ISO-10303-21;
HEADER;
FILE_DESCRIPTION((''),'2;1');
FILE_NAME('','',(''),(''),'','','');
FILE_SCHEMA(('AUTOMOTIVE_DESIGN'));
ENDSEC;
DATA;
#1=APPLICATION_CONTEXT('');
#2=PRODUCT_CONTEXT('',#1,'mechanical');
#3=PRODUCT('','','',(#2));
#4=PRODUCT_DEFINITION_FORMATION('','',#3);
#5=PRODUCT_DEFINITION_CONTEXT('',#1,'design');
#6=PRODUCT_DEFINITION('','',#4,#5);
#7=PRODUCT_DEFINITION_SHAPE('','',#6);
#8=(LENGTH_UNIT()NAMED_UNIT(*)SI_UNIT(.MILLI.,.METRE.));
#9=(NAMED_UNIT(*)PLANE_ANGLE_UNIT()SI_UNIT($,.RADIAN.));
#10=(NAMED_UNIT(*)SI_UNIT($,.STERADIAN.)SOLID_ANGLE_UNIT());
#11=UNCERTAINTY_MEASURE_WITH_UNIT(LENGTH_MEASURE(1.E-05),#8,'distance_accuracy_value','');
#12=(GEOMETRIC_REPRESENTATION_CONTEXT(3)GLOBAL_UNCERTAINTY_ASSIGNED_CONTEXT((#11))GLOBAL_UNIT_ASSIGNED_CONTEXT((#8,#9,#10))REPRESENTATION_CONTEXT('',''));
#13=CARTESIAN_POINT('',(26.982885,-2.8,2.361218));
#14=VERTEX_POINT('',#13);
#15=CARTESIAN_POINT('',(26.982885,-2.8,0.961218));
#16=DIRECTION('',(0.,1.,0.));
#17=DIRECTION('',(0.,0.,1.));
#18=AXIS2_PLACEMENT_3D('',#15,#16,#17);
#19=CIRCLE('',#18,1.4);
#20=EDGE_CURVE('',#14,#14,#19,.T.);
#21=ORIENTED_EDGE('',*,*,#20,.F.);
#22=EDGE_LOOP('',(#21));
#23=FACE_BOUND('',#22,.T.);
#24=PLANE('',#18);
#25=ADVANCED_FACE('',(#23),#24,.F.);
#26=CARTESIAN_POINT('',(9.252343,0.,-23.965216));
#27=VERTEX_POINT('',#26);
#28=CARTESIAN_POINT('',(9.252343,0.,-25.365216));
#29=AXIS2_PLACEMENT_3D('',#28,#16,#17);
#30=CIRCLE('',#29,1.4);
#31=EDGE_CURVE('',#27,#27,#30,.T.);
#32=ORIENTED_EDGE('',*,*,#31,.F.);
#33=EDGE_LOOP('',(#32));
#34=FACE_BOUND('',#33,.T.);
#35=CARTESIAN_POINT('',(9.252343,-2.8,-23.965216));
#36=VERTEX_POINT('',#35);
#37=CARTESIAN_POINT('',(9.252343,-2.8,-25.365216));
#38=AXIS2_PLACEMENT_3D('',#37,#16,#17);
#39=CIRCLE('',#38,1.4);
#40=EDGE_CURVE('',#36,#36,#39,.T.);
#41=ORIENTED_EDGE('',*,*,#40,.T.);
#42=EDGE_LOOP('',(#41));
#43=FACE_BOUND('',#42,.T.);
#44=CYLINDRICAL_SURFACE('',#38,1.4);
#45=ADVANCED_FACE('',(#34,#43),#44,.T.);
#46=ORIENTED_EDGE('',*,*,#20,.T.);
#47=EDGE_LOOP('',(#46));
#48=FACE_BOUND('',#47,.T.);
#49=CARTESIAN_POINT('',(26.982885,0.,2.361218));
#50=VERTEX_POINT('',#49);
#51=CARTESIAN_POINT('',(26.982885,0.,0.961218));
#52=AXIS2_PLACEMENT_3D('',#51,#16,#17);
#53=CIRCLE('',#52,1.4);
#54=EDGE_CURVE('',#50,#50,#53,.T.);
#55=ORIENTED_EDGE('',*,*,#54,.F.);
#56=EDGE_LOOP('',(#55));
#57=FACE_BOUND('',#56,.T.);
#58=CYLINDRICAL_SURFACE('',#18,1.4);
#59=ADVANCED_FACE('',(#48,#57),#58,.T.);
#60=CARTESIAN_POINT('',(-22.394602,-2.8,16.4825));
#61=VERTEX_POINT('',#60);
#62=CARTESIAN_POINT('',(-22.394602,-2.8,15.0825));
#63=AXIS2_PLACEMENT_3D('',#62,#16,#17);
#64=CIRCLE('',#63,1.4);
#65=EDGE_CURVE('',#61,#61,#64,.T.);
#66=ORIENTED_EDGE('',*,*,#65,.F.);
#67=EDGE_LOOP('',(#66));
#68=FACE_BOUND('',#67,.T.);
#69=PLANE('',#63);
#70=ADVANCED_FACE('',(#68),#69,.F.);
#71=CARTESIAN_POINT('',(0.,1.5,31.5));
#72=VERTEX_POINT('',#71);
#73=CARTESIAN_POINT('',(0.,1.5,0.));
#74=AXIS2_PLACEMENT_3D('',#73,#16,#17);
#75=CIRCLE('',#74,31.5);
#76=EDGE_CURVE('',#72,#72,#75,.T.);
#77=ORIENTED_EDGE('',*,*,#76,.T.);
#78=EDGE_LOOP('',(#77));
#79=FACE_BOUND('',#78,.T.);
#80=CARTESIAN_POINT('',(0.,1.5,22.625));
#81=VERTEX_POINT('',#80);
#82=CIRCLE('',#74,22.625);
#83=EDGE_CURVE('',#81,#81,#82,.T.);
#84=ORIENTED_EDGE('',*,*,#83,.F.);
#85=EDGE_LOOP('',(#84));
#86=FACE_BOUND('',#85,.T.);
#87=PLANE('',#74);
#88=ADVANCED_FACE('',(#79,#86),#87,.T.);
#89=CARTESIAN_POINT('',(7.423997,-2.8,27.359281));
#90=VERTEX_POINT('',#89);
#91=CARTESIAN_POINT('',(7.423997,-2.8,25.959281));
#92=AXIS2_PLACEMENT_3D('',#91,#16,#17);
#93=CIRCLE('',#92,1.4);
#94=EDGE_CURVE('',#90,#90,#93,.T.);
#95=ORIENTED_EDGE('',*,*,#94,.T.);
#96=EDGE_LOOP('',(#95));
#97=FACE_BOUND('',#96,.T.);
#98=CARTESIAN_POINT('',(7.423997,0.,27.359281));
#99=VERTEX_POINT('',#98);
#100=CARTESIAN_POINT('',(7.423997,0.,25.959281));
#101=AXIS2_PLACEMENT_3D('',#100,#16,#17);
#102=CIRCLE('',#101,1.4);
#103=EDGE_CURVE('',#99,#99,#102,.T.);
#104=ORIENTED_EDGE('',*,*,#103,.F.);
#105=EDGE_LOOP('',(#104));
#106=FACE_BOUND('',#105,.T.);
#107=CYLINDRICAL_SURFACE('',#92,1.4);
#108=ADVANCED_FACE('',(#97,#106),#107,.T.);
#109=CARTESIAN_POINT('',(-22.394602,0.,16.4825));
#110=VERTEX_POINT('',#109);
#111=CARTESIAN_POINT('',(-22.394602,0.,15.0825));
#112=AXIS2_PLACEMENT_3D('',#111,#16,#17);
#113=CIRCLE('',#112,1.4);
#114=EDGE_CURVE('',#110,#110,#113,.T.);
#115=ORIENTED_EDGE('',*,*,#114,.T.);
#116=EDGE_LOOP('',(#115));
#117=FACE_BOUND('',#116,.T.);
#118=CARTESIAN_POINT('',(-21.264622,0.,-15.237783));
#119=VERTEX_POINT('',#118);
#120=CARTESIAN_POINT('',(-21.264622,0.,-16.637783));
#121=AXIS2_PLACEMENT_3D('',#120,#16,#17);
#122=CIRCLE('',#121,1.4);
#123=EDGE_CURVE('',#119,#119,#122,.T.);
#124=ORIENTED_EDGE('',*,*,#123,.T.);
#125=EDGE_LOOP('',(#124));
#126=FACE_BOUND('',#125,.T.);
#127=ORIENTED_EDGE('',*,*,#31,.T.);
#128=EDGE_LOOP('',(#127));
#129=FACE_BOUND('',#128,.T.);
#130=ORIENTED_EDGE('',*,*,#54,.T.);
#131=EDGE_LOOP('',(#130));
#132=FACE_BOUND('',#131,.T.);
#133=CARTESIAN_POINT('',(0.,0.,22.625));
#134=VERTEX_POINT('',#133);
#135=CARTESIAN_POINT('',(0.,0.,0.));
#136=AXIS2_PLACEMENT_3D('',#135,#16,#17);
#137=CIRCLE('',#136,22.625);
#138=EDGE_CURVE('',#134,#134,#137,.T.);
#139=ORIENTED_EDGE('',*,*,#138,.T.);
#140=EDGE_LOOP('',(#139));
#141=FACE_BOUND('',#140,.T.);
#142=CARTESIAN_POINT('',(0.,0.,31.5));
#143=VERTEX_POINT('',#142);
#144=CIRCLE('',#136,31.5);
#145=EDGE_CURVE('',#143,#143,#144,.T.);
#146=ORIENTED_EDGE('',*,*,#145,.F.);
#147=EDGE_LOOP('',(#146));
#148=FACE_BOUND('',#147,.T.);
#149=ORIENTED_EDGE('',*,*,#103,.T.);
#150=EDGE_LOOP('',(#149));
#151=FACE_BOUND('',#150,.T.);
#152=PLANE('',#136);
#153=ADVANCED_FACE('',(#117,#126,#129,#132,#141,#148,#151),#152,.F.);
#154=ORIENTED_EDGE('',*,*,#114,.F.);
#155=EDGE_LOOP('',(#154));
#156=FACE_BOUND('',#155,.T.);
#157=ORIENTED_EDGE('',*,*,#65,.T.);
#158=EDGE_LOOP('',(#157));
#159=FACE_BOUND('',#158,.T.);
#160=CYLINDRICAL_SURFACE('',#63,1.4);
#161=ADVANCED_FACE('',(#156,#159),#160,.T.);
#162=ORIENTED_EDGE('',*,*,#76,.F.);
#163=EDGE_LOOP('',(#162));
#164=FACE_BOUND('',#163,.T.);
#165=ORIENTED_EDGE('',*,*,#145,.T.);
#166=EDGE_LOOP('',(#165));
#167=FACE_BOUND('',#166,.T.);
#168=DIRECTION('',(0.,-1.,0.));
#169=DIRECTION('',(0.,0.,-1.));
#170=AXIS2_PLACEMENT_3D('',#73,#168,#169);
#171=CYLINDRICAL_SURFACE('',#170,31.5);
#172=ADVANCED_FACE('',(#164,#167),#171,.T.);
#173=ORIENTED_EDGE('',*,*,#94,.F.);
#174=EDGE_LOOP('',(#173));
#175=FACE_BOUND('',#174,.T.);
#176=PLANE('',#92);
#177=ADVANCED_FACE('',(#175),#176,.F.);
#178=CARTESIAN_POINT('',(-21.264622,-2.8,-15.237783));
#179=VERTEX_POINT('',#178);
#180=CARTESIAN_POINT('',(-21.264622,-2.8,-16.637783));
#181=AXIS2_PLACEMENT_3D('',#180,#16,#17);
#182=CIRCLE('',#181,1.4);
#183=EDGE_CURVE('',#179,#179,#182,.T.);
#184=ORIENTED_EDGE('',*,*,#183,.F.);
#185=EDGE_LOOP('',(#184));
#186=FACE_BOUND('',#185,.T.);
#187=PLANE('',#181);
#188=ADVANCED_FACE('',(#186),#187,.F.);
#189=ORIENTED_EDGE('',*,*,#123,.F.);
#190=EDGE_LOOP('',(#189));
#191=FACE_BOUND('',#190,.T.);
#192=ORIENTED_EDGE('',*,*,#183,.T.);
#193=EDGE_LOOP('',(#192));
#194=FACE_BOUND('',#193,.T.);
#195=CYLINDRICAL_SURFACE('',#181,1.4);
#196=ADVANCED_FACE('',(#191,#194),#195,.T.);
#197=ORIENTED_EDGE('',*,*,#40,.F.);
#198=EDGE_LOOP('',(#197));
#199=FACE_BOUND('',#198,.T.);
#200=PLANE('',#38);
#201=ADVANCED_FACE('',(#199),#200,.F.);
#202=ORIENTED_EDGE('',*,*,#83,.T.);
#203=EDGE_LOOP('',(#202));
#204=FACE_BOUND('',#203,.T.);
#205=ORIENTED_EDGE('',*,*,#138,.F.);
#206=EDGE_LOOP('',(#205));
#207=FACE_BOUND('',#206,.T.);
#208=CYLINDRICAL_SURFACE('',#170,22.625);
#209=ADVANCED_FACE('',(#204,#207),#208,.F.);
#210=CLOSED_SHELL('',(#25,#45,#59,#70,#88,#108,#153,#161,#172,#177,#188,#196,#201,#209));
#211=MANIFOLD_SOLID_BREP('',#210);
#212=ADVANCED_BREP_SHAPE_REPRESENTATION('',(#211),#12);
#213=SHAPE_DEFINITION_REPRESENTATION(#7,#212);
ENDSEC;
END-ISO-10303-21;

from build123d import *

# Parameters (mm, degrees)
SKETCH1_R           = 31.5
SKETCH1_R_2         = 22.625
BOSS_EXTRUDE1_DEPTH = 1.5
SKETCH2_R           = 1.4
BOSS_EXTRUDE2_DEPTH = 2.8


with BuildPart() as part:
    # Sketch1 → Boss-Extrude1 (new body)
    with BuildSketch(Plane(origin=(0, 0, 0), x_dir=(1, 0, 0), z_dir=(0, 1, 0))):
        with Locations(Location((0, 0, 0), (0, 0, 270))):
            Circle(SKETCH1_R)
        with Locations(Location((0, 0, 0), (0, 0, 270))):
            Circle(SKETCH1_R_2, mode=Mode.SUBTRACT)
    extrude(amount=BOSS_EXTRUDE1_DEPTH)

    # Sketch2 → Boss-Extrude2 (add)
    with BuildSketch(Plane(origin=(0, 0, 0), x_dir=(1, 0, 0), z_dir=(0, 1, 0))):
        with Locations(Location((-21.264622422, 16.637783303, 0), (0, 0, 270))):
            Circle(SKETCH2_R)
        with Locations(Location((9.252342519, 25.365215511, 0), (0, 0, 270))):
            Circle(SKETCH2_R)
        with Locations(Location((26.982884575, -0.961217985, 0), (0, 0, 270))):
            Circle(SKETCH2_R)
        with Locations(Location((7.423997262, -25.959280896, 0), (0, 0, 270))):
            Circle(SKETCH2_R)
        with Locations(Location((-22.394601934, -15.082499932, 0), (0, 0, 270))):
            Circle(SKETCH2_R)
    extrude(amount=-BOSS_EXTRUDE2_DEPTH)


solid = part.part
